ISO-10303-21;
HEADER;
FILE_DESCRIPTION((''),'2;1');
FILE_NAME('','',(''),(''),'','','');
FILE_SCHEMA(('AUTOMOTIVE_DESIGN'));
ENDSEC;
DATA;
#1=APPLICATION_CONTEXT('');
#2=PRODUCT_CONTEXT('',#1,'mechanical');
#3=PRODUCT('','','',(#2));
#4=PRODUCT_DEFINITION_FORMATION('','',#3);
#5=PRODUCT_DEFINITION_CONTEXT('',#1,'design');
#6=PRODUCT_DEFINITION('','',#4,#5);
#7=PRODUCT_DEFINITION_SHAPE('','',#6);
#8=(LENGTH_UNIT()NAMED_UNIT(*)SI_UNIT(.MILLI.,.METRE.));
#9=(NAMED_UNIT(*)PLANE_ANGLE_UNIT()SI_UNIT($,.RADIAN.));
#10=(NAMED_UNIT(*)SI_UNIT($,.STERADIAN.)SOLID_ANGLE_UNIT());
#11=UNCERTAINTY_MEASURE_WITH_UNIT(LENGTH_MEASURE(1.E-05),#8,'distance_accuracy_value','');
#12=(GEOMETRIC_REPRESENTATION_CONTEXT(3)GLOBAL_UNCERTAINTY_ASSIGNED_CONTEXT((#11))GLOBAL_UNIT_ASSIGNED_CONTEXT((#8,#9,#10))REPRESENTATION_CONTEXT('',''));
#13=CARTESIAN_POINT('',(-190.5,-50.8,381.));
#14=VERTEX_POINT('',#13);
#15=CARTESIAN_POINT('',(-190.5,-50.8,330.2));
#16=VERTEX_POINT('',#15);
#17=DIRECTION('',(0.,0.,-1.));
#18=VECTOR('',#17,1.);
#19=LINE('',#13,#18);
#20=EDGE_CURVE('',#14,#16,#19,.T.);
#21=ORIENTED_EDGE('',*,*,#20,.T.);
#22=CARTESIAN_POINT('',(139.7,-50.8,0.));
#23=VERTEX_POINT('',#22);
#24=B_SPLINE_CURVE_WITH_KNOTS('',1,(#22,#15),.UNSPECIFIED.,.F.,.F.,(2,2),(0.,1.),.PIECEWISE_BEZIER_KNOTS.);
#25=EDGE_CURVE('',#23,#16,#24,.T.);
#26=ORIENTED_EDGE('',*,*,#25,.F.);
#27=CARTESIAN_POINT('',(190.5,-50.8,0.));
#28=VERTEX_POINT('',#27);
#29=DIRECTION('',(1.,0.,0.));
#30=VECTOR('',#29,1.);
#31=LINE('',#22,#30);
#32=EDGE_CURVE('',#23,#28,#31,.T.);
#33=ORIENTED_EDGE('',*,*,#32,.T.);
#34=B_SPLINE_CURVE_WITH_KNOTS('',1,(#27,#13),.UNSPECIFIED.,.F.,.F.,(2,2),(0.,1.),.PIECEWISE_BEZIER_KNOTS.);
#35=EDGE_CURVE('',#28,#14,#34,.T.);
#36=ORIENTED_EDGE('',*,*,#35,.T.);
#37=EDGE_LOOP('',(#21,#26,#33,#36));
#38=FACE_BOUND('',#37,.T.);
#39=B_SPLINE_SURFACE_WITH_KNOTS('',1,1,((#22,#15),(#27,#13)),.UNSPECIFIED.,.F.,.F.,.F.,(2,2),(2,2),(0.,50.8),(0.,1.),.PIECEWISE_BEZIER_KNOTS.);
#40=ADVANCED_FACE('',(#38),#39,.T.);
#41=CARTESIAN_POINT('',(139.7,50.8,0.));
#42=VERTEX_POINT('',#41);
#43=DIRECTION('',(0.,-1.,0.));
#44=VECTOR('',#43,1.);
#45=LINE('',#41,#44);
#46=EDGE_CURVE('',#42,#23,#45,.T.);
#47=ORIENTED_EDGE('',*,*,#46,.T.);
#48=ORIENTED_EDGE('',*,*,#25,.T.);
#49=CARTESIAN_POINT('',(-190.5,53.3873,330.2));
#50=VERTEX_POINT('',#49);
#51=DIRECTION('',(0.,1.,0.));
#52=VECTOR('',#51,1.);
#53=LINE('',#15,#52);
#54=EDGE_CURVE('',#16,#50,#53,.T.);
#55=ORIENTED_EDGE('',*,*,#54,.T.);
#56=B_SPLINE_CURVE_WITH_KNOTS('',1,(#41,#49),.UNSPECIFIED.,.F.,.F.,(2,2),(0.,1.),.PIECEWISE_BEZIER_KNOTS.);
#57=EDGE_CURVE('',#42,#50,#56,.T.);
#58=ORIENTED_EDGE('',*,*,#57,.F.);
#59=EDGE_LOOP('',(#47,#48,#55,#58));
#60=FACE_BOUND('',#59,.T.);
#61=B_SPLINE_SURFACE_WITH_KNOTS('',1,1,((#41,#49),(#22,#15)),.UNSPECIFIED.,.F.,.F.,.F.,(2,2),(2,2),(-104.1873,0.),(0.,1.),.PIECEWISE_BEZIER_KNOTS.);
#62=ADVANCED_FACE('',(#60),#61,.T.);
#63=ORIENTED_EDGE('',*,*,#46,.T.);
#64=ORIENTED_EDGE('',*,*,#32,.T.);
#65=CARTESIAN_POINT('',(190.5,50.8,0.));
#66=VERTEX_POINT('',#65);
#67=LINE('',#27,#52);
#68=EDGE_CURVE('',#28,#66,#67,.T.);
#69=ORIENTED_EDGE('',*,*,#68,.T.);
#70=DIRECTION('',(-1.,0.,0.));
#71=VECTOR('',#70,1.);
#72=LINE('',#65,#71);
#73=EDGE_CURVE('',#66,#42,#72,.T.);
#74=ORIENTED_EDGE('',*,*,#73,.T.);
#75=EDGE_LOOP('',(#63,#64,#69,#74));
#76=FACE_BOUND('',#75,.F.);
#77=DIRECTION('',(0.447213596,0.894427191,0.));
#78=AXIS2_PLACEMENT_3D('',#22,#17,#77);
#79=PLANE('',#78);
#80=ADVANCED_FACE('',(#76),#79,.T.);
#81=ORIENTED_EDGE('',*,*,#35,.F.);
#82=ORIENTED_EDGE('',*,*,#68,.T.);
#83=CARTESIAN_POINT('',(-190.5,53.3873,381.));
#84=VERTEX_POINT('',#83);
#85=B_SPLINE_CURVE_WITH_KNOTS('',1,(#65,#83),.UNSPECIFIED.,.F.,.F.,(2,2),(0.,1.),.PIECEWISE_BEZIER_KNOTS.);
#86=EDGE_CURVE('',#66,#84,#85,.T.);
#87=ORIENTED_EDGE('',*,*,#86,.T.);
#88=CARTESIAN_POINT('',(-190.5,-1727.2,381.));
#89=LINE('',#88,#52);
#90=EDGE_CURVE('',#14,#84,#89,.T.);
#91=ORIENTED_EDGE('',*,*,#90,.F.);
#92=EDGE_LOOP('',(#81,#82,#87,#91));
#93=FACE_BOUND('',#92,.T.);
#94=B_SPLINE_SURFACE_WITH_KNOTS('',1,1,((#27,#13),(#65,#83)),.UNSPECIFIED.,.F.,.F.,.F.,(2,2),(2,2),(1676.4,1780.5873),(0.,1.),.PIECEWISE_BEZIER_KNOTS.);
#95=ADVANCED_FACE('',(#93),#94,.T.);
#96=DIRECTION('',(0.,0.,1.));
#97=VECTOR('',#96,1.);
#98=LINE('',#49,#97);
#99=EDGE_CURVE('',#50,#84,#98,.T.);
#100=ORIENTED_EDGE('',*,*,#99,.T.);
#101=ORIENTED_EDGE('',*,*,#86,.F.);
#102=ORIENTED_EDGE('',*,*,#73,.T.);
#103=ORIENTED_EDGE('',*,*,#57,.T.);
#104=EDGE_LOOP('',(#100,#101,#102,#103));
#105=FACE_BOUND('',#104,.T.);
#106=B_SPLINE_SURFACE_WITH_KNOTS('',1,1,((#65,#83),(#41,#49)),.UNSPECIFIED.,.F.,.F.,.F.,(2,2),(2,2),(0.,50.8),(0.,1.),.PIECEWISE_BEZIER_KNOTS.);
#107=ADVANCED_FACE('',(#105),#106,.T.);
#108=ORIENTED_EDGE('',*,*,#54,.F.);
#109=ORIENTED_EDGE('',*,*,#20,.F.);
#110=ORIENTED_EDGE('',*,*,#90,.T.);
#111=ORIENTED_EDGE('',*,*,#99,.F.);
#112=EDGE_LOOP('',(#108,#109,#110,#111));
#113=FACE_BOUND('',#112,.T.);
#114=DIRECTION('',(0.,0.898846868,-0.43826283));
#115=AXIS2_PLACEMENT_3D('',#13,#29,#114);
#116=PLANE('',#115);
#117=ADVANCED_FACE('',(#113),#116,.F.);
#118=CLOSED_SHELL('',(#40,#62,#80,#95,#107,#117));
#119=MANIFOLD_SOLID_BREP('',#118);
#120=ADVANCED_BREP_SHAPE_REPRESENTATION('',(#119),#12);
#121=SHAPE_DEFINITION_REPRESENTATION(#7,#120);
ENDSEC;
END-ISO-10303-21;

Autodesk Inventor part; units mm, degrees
ref_plane "YZ Plane" through (0, 0, 0) normal (1, 0, 0) x (0, 1, 0)
ref_plane "XZ Plane" through (0, 0, 0) normal (0, 1, 0) x (-1, 0, 0)
ref_plane "XY Plane" through (0, 0, 0) normal (0, 0, 1) x (1, 0, 0)
ref_plane "Work Plane1" through (0, 0, 0) normal (0, 0, 1) x (1, 0, 0)
sketch "Sketch1" plane through (0, 0, 0) normal (0, 0, 1) x (1, 0, 0)
  line L0 (190.5, -50.8) -> (190.5, 50.8) projected
  line L1 (190.5, 50.8) -> (67.5314, 50.8) projected
  line L2 (190.5, 50.8) -> (139.7, 50.8)
  line L3 (139.7, 50.8) -> (139.7, -50.8)
  line L4 (139.7, -50.8) -> (190.5, -50.8)
  line L5 (190.5, -50.8) -> (190.5, 50.8)
  point P0 (0, 0)
  dimension "d0" = 50.8
ref_plane "Work Plane2" through (-190.5, -609.6, 330.2) normal (1, 0, 0) x (0, -1, 0)
sketch "Sketch2" plane through (-190.5, -609.6, 330.2) normal (1, 0, 0) x (0, -1, 0)
  line L0 (-1117.6, 50.8) -> (1117.6, 50.8) projected
  line L1 (1117.6, -50.8) -> (-1117.6, -50.8) projected
  line L2 (-558.8, 330.2) -> (-660.4, 330.2) projected
  line L3 (-662.9873, -50.8) -> (-558.8, -50.8)
  line L4 (-558.8, -50.8) -> (-558.8, 0)
  line L5 (-558.8, 0) -> (-662.9873, 0)
  line L6 (-662.9873, 0) -> (-662.9873, -50.8)
  point P0 (-609.6, 330.2)
  dimension "d1" = 50.8
loft "Loft1" add profiles "Sketch1", "Sketch2"
properties part number "Top Diagonals"
